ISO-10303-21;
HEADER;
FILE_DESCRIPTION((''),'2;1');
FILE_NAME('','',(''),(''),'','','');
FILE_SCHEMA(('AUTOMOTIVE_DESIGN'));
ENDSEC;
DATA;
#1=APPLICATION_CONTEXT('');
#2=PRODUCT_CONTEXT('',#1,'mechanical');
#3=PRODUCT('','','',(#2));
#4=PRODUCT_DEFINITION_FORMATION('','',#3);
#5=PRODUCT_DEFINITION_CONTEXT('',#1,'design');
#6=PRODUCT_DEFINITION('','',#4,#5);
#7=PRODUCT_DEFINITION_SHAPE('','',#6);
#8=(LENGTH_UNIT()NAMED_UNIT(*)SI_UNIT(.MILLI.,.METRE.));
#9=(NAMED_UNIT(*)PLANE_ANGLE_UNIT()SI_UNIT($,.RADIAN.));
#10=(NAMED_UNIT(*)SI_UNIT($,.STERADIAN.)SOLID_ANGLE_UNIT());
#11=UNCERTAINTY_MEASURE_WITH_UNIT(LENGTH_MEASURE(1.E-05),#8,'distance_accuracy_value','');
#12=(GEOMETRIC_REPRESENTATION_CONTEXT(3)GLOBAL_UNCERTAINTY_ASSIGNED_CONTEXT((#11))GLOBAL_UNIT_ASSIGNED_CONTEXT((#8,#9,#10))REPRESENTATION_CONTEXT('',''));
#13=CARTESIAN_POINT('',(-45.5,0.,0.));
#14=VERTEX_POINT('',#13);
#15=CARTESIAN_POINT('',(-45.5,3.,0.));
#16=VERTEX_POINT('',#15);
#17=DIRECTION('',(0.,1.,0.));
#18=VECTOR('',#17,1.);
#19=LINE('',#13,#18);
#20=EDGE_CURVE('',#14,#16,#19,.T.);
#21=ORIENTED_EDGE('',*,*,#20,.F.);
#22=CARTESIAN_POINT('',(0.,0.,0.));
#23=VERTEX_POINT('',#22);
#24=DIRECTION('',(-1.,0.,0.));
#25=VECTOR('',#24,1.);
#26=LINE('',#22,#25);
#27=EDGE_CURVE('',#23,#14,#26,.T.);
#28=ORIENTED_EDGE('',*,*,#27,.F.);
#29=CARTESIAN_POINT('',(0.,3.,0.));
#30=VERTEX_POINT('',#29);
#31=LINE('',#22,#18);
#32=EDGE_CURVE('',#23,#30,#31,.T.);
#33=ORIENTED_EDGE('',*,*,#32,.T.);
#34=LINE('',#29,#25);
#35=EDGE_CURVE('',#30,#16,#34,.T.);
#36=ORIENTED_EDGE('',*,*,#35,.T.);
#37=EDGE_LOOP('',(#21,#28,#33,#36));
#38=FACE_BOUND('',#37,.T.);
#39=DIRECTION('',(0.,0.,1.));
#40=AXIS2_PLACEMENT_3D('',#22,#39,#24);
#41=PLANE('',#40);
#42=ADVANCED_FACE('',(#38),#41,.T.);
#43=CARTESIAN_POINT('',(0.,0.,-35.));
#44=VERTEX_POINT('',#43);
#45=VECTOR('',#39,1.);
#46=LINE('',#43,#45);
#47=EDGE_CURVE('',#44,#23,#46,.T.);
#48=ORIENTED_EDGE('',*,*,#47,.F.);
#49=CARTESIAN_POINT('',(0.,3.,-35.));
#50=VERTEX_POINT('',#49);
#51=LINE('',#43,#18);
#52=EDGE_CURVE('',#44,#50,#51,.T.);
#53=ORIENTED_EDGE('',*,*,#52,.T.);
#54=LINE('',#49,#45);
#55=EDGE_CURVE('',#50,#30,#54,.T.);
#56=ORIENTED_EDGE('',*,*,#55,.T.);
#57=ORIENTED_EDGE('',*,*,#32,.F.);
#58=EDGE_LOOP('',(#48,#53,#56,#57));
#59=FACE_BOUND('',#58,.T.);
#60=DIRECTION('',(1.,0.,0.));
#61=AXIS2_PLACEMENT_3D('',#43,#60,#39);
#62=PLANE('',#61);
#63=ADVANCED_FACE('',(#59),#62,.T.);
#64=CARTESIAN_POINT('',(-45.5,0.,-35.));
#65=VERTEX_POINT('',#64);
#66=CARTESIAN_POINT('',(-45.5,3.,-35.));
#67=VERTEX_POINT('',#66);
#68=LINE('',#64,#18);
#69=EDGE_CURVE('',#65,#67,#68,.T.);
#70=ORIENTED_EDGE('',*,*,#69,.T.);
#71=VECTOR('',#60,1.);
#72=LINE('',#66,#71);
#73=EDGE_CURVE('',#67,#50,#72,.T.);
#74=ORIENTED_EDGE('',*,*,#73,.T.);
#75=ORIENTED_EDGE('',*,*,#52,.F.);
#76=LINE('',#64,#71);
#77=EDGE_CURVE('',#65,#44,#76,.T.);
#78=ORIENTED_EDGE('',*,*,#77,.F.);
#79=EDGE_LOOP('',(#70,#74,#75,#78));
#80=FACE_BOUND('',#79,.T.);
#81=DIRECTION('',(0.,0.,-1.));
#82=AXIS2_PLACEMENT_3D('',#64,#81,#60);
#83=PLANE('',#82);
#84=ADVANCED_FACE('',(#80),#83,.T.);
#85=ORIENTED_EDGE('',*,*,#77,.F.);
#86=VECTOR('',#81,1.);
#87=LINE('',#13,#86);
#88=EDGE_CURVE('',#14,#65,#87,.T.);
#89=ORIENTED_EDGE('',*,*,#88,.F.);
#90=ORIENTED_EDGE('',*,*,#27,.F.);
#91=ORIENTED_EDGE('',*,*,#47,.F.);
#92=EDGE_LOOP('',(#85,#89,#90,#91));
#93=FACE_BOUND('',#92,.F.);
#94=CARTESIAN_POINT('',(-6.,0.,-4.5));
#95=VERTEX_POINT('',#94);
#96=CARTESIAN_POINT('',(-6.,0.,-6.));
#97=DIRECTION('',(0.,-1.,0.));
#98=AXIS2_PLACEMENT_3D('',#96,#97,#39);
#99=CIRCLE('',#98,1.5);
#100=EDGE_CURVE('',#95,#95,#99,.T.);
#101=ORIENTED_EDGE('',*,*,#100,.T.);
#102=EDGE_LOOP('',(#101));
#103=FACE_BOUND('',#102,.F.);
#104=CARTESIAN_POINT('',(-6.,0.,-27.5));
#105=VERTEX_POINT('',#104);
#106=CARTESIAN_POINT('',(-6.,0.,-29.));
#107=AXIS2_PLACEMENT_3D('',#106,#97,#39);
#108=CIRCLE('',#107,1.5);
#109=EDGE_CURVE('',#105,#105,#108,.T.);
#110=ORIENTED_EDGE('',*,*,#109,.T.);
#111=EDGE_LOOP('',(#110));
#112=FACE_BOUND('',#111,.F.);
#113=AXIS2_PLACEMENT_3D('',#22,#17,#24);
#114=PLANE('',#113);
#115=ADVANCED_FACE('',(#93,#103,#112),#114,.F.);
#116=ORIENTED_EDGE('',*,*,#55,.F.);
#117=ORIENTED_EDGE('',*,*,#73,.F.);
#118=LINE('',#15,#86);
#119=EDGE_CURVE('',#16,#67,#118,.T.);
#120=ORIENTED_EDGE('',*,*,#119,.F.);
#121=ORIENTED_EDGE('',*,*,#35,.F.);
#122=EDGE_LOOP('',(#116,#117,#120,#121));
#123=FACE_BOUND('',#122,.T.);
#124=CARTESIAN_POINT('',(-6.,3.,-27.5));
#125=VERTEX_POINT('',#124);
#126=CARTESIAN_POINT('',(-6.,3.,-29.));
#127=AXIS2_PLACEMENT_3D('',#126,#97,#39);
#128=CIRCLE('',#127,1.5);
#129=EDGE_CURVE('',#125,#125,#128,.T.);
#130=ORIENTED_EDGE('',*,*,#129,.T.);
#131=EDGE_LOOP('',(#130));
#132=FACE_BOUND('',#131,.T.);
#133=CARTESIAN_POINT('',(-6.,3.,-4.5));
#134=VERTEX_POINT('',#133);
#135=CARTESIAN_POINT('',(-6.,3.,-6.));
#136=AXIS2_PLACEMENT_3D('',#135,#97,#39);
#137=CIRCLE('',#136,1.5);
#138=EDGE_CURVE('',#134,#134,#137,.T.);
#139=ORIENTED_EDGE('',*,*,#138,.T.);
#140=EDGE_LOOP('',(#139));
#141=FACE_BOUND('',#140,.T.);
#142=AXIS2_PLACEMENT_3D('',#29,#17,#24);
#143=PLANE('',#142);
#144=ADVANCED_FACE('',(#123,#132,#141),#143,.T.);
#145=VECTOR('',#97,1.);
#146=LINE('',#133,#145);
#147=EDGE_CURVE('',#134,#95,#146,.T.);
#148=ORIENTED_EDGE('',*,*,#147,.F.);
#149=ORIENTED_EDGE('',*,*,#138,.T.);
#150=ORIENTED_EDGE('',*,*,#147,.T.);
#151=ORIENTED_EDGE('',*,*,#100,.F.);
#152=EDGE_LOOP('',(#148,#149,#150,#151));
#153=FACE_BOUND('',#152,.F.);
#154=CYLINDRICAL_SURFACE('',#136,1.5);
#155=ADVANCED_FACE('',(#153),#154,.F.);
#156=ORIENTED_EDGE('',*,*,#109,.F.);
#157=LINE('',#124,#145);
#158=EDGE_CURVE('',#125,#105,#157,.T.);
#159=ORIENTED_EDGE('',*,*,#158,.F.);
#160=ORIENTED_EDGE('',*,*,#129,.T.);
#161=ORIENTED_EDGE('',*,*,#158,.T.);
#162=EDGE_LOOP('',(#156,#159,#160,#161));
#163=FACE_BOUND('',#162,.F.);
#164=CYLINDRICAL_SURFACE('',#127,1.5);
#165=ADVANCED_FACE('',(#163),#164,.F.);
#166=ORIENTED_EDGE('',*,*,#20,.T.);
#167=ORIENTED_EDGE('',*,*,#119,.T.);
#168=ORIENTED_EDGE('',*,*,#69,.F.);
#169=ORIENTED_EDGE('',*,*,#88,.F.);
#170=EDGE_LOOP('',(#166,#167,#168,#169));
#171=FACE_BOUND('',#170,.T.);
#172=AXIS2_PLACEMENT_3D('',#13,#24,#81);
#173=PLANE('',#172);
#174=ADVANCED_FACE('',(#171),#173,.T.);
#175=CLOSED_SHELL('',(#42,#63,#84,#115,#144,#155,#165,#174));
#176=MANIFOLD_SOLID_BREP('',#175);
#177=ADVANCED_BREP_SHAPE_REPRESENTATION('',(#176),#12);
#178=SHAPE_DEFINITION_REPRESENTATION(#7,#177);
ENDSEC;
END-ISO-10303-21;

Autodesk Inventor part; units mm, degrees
ref_plane "YZ Plane" through (0, 0, 0) normal (1, 0, 0) x (0, 1, 0)
ref_plane "XZ Plane" through (0, 0, 0) normal (0, 1, 0) x (-1, 0, 0)
ref_plane "XY Plane" through (0, 0, 0) normal (0, 0, 1) x (1, 0, 0)
sketch "Sketch1" plane through (0, 0, 0) normal (0, 1, 0) x (-1, 0, 0)
  point P0 (0, 0)
sketch "Sketch2" plane through (0, 0, 0) normal (0, 1, 0) x (-1, 0, 0)
  line L0 (0, 0) -> (45.5, 0)
  line L1 (45.5, 0) -> (45.5, -35)
  line L2 (45.5, -35) -> (0, -35)
  line L3 (0, -35) -> (0, 0)
  dimension "d0" = 45.5
  dimension "d1" = 35
extrude "Extrusion1" add sketch "Sketch2" along normal blind 3
sketch "Sketch3" plane through (0, 3, 0) normal (0, 1, 0) x (1, 0, 0)
  circle A0 centre (-6, 6) radius 1
  line L0 (-45.5, 0) -> (0, 0) projected
  line L1 (0, 0) -> (0, 35) projected
  circle A1 centre (-6, 29) radius 1
  line L2 (0, 35) -> (-45.5, 35) projected
  dimension "d4" = 2
  dimension "d5" = 6
  dimension "d6" = 6
  dimension "d7" = 2
  dimension "d8" = 6
  dimension "d9" = 6
hole "Hole1" at (-6, 3, -6) at (-6, 3, -29) direction (0, -1, 0) diameter 3 end through all
properties part number "FrontSupport" material "Wood (Birch)"
